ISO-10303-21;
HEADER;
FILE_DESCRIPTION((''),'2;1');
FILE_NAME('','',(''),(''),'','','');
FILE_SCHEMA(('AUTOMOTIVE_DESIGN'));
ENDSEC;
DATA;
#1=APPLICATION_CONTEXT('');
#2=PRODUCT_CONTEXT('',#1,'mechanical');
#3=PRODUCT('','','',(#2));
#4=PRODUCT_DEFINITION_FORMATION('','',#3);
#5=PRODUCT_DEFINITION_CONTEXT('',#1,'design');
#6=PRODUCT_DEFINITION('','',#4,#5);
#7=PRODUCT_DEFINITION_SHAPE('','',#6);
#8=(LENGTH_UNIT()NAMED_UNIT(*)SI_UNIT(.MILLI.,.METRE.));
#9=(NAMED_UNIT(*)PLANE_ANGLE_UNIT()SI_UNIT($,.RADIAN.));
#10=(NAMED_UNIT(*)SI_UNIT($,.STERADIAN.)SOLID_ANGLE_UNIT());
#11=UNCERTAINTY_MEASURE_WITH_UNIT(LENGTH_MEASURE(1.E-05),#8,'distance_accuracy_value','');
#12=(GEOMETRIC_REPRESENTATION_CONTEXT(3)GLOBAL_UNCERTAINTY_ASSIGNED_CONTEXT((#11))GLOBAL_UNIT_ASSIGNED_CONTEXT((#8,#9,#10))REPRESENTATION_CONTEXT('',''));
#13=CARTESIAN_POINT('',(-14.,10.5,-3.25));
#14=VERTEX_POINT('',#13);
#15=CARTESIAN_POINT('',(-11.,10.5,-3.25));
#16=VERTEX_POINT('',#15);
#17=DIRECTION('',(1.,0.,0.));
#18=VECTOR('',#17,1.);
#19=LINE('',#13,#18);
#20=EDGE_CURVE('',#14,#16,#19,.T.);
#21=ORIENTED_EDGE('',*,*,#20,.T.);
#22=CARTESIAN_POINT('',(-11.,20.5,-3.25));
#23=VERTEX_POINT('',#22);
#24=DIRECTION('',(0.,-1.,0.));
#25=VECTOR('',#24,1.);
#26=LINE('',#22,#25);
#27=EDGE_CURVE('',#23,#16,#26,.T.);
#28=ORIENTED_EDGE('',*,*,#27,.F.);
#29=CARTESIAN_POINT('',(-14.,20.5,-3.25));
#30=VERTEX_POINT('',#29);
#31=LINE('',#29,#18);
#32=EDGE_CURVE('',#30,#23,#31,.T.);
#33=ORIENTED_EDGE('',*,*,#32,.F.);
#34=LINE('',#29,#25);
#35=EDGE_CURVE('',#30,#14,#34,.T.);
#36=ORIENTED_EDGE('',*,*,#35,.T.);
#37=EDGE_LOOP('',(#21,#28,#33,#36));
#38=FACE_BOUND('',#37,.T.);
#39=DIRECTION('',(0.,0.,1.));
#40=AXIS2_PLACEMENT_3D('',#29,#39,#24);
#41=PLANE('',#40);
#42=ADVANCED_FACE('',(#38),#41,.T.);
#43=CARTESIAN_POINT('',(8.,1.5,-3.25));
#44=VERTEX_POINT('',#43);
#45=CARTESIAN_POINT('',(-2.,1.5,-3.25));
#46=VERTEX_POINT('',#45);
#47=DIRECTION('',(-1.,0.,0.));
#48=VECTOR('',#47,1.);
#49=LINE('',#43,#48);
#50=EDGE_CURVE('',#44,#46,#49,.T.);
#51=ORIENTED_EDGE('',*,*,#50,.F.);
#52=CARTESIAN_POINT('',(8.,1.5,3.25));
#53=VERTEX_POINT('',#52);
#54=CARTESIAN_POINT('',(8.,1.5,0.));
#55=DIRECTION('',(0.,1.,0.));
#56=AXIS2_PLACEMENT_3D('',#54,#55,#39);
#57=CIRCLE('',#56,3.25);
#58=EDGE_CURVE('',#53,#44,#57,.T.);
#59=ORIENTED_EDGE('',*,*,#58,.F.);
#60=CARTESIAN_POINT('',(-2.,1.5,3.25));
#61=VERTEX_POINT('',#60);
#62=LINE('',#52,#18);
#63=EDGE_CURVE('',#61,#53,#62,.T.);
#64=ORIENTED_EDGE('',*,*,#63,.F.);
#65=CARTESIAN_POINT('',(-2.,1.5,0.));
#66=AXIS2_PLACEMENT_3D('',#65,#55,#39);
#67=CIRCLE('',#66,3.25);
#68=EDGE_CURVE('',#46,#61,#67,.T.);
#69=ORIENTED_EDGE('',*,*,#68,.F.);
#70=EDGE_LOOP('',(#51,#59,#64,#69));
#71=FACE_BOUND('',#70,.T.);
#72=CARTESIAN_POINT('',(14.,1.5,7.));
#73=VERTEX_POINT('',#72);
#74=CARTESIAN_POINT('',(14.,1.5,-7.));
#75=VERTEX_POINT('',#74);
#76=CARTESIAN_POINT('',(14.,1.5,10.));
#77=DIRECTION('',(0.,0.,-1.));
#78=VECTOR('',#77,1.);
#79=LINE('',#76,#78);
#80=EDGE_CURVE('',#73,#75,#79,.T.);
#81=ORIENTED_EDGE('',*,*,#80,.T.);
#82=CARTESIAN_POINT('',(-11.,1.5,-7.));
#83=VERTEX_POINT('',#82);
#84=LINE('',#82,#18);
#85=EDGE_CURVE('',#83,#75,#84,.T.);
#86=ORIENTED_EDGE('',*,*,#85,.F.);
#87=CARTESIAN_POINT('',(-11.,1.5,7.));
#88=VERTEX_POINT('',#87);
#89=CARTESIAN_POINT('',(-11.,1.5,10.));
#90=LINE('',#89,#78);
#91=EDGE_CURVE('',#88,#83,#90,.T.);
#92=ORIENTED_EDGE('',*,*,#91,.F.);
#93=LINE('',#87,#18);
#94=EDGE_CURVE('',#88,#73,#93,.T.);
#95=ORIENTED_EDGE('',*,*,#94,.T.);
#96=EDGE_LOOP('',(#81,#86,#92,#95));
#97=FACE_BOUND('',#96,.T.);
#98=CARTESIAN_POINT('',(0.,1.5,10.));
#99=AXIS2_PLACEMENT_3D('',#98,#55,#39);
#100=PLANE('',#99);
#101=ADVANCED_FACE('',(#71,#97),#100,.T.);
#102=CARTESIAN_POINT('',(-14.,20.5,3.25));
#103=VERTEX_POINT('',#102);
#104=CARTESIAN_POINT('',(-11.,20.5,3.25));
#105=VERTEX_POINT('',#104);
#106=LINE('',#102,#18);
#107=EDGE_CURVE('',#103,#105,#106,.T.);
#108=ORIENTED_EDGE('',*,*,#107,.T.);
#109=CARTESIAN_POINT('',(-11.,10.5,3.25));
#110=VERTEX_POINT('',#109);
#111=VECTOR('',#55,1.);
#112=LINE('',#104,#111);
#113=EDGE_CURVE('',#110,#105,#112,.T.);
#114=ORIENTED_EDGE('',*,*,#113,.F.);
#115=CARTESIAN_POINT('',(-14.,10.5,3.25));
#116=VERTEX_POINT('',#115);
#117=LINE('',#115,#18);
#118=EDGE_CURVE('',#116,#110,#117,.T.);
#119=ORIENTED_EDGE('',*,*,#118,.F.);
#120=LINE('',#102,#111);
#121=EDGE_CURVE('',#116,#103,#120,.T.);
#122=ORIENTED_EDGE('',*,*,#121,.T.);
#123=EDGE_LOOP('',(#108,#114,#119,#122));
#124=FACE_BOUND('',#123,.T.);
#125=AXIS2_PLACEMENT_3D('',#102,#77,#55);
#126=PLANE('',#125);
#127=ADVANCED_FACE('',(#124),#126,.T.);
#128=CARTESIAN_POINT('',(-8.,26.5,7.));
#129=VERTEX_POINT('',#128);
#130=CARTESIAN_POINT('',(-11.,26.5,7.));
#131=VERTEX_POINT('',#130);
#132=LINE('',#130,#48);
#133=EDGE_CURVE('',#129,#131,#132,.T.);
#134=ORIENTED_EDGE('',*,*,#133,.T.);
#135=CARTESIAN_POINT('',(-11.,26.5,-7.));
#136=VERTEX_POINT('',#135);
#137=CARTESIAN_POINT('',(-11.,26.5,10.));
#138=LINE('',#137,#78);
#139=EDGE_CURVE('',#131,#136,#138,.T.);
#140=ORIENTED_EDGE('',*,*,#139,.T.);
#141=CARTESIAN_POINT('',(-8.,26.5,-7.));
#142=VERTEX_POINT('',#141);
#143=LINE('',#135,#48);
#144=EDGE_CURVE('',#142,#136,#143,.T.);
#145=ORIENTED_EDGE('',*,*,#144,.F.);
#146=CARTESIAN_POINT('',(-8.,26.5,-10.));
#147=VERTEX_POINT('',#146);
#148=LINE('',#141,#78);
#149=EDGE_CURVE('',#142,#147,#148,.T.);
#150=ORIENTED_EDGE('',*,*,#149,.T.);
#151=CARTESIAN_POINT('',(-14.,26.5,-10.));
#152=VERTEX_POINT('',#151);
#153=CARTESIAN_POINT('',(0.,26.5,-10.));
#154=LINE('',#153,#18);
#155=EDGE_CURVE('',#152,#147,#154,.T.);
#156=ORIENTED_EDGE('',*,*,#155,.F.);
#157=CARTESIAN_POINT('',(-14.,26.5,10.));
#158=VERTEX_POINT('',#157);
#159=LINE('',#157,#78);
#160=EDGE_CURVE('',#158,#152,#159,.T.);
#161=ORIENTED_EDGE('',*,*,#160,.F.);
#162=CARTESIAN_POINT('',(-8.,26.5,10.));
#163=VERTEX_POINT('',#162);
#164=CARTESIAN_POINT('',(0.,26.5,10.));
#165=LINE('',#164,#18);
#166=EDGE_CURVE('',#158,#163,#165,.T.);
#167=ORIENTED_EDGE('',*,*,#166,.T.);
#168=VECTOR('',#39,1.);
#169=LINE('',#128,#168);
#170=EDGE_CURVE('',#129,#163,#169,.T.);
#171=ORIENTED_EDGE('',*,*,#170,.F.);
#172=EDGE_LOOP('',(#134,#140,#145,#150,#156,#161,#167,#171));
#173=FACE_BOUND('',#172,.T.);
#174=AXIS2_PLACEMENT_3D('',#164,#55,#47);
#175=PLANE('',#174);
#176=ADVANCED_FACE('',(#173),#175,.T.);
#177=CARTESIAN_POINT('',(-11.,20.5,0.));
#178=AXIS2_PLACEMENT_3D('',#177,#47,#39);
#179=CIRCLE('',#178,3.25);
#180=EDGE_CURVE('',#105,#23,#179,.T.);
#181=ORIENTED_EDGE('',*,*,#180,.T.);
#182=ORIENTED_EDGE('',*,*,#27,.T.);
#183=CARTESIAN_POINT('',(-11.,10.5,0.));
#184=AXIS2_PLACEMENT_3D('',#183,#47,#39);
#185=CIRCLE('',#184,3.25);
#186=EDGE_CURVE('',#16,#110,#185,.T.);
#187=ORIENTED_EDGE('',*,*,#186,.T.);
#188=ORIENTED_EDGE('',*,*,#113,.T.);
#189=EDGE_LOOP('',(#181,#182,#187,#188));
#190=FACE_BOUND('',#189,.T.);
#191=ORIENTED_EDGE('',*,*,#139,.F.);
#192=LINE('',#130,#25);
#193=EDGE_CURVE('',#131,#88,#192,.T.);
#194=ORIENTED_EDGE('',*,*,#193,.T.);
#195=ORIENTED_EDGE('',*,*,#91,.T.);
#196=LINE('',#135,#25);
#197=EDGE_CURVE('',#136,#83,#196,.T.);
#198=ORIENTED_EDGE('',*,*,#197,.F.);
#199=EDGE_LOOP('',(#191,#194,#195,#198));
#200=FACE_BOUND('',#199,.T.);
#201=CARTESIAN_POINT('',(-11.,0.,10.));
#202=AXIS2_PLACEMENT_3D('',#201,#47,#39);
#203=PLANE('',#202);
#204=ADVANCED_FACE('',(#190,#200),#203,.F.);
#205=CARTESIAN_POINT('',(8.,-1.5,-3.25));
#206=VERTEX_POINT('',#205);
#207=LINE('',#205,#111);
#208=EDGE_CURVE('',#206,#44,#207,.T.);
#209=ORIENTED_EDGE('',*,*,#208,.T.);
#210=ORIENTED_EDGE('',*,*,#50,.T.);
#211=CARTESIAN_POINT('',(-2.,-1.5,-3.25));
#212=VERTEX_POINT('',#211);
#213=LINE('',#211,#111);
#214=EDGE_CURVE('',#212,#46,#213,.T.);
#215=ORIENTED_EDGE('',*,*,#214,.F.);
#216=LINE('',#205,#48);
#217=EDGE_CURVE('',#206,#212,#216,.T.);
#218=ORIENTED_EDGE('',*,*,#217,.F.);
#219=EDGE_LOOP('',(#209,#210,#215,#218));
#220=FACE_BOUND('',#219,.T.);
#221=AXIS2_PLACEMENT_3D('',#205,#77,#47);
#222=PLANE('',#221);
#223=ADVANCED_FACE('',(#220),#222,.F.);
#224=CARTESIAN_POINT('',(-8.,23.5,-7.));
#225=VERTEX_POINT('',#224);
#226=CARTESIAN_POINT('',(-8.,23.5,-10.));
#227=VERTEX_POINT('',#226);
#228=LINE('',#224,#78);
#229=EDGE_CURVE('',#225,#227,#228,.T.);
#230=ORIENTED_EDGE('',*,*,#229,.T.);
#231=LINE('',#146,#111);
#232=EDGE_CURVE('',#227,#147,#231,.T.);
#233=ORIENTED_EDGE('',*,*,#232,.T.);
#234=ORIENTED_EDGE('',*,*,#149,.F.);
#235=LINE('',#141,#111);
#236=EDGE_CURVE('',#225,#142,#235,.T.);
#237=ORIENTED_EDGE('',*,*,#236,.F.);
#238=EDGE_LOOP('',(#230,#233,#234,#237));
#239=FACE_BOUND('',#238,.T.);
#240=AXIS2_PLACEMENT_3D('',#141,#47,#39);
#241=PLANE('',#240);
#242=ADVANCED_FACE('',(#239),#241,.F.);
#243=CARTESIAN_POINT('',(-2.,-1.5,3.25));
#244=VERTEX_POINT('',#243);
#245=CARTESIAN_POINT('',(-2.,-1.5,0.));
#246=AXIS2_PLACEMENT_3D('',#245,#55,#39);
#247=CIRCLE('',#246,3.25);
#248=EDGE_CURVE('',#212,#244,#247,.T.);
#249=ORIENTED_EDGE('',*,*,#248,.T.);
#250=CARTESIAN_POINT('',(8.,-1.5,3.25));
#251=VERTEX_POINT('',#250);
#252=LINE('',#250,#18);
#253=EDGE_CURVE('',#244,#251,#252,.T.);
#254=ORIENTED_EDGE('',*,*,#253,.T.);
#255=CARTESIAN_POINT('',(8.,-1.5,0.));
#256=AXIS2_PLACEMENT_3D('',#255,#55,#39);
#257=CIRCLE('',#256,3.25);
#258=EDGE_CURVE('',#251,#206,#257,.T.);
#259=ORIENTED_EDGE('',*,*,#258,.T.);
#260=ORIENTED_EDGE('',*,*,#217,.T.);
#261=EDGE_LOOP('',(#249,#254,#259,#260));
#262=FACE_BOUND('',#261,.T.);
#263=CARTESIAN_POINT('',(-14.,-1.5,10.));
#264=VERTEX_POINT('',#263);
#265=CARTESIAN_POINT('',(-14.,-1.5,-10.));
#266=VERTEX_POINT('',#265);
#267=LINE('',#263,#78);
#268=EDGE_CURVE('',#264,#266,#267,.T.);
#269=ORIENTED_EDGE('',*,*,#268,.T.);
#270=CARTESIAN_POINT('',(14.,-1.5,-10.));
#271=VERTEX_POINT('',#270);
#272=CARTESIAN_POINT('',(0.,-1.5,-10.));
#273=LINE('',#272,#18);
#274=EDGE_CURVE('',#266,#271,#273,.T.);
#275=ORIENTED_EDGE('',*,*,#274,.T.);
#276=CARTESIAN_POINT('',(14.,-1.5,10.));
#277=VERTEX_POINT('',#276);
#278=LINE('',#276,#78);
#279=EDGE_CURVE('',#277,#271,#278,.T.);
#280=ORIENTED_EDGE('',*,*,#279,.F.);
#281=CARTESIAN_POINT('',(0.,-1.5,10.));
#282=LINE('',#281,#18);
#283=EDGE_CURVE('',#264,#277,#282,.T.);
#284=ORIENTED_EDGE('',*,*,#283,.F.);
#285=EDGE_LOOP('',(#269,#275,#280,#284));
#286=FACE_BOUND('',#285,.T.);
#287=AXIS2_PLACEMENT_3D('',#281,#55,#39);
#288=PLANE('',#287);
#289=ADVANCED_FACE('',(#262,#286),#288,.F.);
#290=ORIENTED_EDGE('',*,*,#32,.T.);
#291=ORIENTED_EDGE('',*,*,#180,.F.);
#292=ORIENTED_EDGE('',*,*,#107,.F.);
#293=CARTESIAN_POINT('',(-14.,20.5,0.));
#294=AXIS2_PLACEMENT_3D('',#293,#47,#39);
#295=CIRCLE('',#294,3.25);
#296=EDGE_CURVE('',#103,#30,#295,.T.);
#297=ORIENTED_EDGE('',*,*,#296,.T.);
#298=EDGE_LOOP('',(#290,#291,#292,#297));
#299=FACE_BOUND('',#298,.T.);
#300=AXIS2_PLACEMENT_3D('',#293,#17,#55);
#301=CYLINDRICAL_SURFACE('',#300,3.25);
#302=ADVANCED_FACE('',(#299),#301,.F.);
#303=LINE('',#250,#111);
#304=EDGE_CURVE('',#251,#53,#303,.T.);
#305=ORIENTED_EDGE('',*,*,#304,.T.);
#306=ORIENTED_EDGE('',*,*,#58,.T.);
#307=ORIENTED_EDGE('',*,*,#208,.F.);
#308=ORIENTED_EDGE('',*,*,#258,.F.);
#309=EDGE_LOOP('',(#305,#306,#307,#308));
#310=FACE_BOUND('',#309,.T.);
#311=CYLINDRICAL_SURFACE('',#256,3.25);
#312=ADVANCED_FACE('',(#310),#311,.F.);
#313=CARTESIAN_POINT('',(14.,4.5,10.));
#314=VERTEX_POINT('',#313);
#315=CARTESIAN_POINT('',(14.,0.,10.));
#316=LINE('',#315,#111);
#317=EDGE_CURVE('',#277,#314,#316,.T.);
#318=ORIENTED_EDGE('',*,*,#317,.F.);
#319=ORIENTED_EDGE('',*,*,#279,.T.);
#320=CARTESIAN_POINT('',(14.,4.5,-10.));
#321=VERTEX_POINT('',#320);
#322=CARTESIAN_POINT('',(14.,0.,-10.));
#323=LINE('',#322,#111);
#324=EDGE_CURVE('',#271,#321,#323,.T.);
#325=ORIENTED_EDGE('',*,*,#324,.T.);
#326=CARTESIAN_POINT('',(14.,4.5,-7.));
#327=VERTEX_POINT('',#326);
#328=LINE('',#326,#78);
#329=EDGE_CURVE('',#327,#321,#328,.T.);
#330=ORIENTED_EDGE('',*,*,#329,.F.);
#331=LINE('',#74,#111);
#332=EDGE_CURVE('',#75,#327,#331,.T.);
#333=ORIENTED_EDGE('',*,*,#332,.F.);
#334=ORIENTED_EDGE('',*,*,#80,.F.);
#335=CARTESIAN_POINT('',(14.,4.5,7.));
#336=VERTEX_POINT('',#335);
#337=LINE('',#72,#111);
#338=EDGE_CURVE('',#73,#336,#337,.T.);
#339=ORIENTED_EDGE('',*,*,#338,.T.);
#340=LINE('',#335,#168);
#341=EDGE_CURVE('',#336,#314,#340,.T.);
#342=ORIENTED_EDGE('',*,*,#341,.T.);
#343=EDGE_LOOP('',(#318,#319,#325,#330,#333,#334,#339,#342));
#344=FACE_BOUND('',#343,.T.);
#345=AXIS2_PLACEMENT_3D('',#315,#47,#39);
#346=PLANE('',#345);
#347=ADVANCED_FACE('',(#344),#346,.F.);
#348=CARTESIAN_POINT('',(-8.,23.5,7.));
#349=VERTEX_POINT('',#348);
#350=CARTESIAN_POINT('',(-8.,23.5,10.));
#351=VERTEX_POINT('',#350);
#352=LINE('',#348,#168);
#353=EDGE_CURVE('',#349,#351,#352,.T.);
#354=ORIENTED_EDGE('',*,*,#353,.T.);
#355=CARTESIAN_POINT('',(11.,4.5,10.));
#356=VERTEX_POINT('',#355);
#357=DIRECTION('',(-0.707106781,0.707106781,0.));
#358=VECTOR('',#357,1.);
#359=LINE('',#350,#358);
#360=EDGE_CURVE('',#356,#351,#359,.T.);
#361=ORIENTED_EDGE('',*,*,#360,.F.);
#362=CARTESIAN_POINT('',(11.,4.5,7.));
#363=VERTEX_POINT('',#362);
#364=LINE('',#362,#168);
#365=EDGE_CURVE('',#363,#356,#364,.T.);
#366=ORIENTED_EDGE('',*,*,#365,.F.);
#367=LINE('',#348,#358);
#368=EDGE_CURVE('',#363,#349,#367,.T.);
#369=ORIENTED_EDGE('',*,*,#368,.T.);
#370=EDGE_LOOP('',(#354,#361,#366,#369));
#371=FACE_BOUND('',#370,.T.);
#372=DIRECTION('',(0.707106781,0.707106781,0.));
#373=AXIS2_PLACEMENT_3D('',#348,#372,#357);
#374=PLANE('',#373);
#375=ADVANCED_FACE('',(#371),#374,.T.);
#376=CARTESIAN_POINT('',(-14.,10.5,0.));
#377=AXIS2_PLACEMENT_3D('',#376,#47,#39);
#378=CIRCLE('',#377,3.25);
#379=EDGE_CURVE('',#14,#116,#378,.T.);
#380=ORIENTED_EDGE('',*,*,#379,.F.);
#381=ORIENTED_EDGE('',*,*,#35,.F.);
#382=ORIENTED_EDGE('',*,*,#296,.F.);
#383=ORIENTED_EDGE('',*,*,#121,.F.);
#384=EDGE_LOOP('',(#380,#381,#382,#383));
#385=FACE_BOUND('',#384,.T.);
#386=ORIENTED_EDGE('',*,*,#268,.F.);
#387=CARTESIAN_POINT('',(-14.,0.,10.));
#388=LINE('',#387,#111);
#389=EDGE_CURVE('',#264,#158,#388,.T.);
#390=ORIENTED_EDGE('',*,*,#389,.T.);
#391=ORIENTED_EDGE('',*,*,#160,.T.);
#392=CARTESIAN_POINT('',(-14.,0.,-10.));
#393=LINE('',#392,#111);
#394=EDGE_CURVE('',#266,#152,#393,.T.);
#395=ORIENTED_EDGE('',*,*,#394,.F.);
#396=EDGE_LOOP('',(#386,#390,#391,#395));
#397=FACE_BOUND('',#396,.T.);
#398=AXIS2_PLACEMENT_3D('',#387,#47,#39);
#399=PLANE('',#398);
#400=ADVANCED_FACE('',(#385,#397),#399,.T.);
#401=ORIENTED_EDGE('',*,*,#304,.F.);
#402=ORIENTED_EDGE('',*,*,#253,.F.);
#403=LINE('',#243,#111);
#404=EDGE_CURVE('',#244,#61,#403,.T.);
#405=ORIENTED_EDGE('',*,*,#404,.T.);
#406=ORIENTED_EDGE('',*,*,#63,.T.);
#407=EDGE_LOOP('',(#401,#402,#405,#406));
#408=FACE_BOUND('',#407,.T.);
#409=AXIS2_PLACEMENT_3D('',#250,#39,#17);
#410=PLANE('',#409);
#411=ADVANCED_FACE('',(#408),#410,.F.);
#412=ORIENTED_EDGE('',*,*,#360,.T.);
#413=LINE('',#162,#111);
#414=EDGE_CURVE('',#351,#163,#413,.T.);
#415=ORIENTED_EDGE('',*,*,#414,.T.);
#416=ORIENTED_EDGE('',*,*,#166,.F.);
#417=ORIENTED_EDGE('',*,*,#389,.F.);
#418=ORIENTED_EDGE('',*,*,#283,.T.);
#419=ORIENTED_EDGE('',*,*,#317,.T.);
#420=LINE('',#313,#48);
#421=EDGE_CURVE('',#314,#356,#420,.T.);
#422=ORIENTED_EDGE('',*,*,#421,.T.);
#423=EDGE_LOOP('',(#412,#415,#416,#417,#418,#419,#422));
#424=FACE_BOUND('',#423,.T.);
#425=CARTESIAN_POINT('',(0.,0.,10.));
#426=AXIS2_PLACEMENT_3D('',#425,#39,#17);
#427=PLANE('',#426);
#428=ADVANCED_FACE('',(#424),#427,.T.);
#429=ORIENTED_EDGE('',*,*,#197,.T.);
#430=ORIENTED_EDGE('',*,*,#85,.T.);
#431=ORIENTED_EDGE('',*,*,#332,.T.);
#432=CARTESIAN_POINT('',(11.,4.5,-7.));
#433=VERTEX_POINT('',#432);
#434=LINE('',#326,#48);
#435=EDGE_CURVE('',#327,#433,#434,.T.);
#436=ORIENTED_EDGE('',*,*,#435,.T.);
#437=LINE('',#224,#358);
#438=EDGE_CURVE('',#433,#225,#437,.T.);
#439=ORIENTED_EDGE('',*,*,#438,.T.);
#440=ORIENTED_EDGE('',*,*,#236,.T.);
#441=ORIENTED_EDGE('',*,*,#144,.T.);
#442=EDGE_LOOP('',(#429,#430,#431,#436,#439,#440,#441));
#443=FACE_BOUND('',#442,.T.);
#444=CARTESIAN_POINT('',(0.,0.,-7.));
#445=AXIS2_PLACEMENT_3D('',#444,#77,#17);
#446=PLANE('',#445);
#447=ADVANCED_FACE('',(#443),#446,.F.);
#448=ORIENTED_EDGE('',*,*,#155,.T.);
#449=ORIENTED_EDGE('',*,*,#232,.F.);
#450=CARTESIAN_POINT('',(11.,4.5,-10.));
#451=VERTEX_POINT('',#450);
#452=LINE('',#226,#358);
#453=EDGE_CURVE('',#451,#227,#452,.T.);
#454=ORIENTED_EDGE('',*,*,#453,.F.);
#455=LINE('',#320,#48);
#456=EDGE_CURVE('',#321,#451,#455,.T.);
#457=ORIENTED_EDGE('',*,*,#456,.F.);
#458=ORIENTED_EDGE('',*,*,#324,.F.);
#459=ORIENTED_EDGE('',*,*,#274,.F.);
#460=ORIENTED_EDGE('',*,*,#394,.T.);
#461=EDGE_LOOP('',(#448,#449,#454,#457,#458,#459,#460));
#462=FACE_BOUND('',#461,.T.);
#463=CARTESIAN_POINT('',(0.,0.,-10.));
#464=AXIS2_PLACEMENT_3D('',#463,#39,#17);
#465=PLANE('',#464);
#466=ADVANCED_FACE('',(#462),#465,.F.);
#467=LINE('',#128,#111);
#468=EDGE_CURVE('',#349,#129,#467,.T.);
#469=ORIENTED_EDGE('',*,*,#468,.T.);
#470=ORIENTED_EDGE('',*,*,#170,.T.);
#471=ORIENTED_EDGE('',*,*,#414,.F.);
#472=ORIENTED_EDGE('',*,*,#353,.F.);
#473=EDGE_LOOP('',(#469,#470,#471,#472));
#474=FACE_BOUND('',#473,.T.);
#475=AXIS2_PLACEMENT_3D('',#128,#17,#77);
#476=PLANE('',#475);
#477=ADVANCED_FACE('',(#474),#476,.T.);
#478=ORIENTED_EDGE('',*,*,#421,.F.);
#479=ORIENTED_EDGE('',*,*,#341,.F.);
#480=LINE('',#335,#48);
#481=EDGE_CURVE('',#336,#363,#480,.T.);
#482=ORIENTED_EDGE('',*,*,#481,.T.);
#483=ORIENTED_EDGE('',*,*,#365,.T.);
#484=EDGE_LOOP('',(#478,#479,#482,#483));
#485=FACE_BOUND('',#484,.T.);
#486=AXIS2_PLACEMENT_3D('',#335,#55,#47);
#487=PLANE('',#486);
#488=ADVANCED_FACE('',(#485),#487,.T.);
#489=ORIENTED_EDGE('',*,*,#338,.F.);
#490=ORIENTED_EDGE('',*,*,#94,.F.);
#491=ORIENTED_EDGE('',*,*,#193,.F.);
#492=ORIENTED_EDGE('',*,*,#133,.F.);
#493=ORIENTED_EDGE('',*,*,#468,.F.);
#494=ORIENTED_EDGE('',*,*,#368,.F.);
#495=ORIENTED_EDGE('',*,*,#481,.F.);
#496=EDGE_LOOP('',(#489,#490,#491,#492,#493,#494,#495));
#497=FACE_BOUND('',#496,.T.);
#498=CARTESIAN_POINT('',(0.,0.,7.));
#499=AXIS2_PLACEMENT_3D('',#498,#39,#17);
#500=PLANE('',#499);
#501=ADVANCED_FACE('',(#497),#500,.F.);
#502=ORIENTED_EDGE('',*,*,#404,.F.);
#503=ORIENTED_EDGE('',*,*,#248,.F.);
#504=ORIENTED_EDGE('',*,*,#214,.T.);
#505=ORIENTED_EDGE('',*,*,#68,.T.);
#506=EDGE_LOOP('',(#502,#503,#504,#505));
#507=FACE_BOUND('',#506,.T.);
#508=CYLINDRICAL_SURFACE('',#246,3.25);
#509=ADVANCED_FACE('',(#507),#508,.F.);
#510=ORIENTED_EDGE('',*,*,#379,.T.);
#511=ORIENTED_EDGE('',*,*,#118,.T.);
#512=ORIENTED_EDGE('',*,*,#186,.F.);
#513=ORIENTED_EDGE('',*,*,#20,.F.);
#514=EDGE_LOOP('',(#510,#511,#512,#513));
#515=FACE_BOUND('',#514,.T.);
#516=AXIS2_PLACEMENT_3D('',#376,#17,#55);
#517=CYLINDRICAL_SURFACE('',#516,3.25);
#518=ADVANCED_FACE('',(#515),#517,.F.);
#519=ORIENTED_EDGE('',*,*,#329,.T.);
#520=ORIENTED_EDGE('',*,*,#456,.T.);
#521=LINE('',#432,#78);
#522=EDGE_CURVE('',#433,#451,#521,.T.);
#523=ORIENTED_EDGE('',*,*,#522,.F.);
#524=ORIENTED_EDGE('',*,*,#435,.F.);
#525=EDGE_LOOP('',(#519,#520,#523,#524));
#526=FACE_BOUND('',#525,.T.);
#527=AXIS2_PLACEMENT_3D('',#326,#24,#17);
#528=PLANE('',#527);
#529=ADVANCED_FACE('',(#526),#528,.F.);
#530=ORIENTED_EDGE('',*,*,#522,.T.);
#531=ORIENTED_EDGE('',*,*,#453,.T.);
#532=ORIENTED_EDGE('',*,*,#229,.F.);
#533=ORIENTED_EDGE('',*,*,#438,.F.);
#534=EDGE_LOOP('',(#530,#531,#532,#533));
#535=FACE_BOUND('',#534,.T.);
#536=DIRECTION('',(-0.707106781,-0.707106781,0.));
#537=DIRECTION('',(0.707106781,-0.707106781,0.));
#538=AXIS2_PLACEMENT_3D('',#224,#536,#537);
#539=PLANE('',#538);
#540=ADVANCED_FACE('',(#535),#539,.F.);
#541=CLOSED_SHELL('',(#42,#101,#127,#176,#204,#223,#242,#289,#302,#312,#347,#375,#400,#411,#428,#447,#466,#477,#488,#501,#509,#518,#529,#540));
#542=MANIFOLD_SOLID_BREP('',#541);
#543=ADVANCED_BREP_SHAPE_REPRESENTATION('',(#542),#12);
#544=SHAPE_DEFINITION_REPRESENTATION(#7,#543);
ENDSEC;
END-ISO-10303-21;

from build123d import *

# Parameters (mm, degrees)
SKETCH1_W           = 28
SKETCH1_H           = 3
SKETCH1_W_2         = 3
SKETCH1_H_2         = 25
BOSS_EXTRUDE1_DEPTH = 10
CUT_EXTRUDE1_DEPTH  = 31.347981811
BOSS_EXTRUDE2_DEPTH = 3


with BuildPart() as part:
    # Sketch1 → Boss-Extrude1 (new, symmetric)
    with BuildSketch(Plane.XY):
        Rectangle(SKETCH1_W, SKETCH1_H)
        with Locations((-12.5, 14)):
            Rectangle(SKETCH1_W_2, SKETCH1_H_2)
    extrude(amount=BOSS_EXTRUDE1_DEPTH, both=True)

    # Sketch3 → Cut-Extrude1 (cut, through all)
    with BuildSketch(Plane(origin=(0, 1.5, 0), x_dir=(1, 0, 0), z_dir=(0, 1, 0))):
        with BuildLine():
            Line((8, -3.25), (-2, -3.25))
            ThreePointArc((-2, -3.25), (-5.25, 0), (-2, 3.25))
            Line((-2, 3.25), (8, 3.25))
            ThreePointArc((8, 3.25), (11.25, 0), (8, -3.25))
        make_face()
    cut_extrude1 = extrude(amount=-CUT_EXTRUDE1_DEPTH, mode=Mode.SUBTRACT)

    # Mirror1: Cut-Extrude1 across plane
    add(cut_extrude1.mirror(Plane(origin=(-6.25, 6.25, 0), x_dir=(0, 0, 1), z_dir=(-0.7071067811865479, 0.7071067811865471, 0))), mode=Mode.SUBTRACT)

    # Sketch4 → Boss-Extrude2 (add)
    with BuildSketch(Plane.XY.offset(10)):
        Polygon((-11, 26.5), (-8, 26.5), (-8, 23.5), (11, 4.5), (14, 4.5), (14, 1.5), (-11, 1.5), align=None)
    boss_extrude2 = extrude(amount=-BOSS_EXTRUDE2_DEPTH)

    # Mirror2: Boss-Extrude2 across plane
    add(boss_extrude2.mirror(Plane.XY))


solid = part.part
